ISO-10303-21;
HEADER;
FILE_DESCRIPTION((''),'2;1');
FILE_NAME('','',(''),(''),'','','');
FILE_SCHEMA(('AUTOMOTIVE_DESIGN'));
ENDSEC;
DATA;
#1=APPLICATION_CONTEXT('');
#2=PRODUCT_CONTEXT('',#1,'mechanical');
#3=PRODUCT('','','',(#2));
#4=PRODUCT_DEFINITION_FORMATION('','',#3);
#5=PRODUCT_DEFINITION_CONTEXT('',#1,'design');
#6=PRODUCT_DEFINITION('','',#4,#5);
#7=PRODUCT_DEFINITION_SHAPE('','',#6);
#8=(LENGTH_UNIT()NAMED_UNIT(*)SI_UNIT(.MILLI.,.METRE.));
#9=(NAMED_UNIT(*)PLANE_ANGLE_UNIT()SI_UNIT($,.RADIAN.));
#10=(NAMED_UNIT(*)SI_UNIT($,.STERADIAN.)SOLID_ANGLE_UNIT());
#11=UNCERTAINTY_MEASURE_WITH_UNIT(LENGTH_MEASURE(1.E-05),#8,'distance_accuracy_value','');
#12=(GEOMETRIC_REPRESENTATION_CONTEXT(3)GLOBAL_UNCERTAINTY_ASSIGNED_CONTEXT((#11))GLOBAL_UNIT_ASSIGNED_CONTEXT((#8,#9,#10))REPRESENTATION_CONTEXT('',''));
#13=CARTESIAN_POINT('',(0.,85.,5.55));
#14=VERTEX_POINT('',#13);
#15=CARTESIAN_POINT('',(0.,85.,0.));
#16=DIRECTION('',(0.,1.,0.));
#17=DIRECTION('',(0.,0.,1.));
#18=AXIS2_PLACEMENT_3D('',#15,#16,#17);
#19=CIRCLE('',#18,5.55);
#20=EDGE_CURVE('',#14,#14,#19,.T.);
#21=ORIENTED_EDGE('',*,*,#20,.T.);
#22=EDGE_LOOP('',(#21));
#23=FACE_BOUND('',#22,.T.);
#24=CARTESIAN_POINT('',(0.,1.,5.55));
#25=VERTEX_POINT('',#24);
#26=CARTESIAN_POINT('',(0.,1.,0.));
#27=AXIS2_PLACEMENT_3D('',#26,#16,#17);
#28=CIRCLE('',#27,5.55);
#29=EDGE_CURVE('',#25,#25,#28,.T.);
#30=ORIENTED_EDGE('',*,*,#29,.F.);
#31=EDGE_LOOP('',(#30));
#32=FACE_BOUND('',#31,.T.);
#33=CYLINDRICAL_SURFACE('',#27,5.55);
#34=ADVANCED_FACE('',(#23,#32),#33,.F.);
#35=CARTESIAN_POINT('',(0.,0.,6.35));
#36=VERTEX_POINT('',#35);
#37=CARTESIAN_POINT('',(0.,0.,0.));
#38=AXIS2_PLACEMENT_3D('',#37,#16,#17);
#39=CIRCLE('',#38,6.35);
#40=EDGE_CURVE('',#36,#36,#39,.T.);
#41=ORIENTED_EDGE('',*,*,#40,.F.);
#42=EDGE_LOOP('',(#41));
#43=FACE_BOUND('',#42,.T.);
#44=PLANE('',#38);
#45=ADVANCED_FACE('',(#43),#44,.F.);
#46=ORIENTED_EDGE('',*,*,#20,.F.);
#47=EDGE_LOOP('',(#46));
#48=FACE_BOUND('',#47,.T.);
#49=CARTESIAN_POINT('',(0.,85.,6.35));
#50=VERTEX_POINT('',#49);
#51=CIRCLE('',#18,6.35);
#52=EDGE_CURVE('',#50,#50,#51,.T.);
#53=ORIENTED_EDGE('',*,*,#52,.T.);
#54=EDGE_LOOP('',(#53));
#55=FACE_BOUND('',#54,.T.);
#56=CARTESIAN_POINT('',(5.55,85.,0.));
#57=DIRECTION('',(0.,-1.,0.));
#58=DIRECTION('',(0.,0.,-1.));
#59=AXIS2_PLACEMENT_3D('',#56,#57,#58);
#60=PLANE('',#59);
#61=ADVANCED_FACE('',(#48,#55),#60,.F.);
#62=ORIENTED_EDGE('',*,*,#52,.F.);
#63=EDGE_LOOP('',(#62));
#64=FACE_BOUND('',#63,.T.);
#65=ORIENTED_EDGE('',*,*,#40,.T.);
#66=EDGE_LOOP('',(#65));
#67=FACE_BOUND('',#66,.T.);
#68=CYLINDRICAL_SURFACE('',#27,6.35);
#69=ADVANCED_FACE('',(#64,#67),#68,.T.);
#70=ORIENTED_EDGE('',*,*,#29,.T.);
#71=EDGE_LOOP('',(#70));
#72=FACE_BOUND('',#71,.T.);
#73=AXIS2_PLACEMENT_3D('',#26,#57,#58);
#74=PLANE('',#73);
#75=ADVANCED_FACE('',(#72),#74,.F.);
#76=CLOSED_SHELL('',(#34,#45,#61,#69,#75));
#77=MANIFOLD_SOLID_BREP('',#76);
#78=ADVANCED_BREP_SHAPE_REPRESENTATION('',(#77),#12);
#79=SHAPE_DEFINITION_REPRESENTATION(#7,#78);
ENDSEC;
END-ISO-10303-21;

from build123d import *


with BuildPart() as part:
    # Sketch1 → Test Tube (revolve)
    with BuildSketch(Plane.XY, mode=Mode.PRIVATE) as test_tube_sk:
        Polygon((0, 0), (6.35, 0), (6.35, 85), (5.55, 85), (5.55, 1), (0, 1), align=None)
    revolve(test_tube_sk.sketch.rotate(Axis((0, 1, 0), (0, -1, 0)), 90), axis=Axis((0, 1, 0), (0, -1, 0)))


solid = part.part
